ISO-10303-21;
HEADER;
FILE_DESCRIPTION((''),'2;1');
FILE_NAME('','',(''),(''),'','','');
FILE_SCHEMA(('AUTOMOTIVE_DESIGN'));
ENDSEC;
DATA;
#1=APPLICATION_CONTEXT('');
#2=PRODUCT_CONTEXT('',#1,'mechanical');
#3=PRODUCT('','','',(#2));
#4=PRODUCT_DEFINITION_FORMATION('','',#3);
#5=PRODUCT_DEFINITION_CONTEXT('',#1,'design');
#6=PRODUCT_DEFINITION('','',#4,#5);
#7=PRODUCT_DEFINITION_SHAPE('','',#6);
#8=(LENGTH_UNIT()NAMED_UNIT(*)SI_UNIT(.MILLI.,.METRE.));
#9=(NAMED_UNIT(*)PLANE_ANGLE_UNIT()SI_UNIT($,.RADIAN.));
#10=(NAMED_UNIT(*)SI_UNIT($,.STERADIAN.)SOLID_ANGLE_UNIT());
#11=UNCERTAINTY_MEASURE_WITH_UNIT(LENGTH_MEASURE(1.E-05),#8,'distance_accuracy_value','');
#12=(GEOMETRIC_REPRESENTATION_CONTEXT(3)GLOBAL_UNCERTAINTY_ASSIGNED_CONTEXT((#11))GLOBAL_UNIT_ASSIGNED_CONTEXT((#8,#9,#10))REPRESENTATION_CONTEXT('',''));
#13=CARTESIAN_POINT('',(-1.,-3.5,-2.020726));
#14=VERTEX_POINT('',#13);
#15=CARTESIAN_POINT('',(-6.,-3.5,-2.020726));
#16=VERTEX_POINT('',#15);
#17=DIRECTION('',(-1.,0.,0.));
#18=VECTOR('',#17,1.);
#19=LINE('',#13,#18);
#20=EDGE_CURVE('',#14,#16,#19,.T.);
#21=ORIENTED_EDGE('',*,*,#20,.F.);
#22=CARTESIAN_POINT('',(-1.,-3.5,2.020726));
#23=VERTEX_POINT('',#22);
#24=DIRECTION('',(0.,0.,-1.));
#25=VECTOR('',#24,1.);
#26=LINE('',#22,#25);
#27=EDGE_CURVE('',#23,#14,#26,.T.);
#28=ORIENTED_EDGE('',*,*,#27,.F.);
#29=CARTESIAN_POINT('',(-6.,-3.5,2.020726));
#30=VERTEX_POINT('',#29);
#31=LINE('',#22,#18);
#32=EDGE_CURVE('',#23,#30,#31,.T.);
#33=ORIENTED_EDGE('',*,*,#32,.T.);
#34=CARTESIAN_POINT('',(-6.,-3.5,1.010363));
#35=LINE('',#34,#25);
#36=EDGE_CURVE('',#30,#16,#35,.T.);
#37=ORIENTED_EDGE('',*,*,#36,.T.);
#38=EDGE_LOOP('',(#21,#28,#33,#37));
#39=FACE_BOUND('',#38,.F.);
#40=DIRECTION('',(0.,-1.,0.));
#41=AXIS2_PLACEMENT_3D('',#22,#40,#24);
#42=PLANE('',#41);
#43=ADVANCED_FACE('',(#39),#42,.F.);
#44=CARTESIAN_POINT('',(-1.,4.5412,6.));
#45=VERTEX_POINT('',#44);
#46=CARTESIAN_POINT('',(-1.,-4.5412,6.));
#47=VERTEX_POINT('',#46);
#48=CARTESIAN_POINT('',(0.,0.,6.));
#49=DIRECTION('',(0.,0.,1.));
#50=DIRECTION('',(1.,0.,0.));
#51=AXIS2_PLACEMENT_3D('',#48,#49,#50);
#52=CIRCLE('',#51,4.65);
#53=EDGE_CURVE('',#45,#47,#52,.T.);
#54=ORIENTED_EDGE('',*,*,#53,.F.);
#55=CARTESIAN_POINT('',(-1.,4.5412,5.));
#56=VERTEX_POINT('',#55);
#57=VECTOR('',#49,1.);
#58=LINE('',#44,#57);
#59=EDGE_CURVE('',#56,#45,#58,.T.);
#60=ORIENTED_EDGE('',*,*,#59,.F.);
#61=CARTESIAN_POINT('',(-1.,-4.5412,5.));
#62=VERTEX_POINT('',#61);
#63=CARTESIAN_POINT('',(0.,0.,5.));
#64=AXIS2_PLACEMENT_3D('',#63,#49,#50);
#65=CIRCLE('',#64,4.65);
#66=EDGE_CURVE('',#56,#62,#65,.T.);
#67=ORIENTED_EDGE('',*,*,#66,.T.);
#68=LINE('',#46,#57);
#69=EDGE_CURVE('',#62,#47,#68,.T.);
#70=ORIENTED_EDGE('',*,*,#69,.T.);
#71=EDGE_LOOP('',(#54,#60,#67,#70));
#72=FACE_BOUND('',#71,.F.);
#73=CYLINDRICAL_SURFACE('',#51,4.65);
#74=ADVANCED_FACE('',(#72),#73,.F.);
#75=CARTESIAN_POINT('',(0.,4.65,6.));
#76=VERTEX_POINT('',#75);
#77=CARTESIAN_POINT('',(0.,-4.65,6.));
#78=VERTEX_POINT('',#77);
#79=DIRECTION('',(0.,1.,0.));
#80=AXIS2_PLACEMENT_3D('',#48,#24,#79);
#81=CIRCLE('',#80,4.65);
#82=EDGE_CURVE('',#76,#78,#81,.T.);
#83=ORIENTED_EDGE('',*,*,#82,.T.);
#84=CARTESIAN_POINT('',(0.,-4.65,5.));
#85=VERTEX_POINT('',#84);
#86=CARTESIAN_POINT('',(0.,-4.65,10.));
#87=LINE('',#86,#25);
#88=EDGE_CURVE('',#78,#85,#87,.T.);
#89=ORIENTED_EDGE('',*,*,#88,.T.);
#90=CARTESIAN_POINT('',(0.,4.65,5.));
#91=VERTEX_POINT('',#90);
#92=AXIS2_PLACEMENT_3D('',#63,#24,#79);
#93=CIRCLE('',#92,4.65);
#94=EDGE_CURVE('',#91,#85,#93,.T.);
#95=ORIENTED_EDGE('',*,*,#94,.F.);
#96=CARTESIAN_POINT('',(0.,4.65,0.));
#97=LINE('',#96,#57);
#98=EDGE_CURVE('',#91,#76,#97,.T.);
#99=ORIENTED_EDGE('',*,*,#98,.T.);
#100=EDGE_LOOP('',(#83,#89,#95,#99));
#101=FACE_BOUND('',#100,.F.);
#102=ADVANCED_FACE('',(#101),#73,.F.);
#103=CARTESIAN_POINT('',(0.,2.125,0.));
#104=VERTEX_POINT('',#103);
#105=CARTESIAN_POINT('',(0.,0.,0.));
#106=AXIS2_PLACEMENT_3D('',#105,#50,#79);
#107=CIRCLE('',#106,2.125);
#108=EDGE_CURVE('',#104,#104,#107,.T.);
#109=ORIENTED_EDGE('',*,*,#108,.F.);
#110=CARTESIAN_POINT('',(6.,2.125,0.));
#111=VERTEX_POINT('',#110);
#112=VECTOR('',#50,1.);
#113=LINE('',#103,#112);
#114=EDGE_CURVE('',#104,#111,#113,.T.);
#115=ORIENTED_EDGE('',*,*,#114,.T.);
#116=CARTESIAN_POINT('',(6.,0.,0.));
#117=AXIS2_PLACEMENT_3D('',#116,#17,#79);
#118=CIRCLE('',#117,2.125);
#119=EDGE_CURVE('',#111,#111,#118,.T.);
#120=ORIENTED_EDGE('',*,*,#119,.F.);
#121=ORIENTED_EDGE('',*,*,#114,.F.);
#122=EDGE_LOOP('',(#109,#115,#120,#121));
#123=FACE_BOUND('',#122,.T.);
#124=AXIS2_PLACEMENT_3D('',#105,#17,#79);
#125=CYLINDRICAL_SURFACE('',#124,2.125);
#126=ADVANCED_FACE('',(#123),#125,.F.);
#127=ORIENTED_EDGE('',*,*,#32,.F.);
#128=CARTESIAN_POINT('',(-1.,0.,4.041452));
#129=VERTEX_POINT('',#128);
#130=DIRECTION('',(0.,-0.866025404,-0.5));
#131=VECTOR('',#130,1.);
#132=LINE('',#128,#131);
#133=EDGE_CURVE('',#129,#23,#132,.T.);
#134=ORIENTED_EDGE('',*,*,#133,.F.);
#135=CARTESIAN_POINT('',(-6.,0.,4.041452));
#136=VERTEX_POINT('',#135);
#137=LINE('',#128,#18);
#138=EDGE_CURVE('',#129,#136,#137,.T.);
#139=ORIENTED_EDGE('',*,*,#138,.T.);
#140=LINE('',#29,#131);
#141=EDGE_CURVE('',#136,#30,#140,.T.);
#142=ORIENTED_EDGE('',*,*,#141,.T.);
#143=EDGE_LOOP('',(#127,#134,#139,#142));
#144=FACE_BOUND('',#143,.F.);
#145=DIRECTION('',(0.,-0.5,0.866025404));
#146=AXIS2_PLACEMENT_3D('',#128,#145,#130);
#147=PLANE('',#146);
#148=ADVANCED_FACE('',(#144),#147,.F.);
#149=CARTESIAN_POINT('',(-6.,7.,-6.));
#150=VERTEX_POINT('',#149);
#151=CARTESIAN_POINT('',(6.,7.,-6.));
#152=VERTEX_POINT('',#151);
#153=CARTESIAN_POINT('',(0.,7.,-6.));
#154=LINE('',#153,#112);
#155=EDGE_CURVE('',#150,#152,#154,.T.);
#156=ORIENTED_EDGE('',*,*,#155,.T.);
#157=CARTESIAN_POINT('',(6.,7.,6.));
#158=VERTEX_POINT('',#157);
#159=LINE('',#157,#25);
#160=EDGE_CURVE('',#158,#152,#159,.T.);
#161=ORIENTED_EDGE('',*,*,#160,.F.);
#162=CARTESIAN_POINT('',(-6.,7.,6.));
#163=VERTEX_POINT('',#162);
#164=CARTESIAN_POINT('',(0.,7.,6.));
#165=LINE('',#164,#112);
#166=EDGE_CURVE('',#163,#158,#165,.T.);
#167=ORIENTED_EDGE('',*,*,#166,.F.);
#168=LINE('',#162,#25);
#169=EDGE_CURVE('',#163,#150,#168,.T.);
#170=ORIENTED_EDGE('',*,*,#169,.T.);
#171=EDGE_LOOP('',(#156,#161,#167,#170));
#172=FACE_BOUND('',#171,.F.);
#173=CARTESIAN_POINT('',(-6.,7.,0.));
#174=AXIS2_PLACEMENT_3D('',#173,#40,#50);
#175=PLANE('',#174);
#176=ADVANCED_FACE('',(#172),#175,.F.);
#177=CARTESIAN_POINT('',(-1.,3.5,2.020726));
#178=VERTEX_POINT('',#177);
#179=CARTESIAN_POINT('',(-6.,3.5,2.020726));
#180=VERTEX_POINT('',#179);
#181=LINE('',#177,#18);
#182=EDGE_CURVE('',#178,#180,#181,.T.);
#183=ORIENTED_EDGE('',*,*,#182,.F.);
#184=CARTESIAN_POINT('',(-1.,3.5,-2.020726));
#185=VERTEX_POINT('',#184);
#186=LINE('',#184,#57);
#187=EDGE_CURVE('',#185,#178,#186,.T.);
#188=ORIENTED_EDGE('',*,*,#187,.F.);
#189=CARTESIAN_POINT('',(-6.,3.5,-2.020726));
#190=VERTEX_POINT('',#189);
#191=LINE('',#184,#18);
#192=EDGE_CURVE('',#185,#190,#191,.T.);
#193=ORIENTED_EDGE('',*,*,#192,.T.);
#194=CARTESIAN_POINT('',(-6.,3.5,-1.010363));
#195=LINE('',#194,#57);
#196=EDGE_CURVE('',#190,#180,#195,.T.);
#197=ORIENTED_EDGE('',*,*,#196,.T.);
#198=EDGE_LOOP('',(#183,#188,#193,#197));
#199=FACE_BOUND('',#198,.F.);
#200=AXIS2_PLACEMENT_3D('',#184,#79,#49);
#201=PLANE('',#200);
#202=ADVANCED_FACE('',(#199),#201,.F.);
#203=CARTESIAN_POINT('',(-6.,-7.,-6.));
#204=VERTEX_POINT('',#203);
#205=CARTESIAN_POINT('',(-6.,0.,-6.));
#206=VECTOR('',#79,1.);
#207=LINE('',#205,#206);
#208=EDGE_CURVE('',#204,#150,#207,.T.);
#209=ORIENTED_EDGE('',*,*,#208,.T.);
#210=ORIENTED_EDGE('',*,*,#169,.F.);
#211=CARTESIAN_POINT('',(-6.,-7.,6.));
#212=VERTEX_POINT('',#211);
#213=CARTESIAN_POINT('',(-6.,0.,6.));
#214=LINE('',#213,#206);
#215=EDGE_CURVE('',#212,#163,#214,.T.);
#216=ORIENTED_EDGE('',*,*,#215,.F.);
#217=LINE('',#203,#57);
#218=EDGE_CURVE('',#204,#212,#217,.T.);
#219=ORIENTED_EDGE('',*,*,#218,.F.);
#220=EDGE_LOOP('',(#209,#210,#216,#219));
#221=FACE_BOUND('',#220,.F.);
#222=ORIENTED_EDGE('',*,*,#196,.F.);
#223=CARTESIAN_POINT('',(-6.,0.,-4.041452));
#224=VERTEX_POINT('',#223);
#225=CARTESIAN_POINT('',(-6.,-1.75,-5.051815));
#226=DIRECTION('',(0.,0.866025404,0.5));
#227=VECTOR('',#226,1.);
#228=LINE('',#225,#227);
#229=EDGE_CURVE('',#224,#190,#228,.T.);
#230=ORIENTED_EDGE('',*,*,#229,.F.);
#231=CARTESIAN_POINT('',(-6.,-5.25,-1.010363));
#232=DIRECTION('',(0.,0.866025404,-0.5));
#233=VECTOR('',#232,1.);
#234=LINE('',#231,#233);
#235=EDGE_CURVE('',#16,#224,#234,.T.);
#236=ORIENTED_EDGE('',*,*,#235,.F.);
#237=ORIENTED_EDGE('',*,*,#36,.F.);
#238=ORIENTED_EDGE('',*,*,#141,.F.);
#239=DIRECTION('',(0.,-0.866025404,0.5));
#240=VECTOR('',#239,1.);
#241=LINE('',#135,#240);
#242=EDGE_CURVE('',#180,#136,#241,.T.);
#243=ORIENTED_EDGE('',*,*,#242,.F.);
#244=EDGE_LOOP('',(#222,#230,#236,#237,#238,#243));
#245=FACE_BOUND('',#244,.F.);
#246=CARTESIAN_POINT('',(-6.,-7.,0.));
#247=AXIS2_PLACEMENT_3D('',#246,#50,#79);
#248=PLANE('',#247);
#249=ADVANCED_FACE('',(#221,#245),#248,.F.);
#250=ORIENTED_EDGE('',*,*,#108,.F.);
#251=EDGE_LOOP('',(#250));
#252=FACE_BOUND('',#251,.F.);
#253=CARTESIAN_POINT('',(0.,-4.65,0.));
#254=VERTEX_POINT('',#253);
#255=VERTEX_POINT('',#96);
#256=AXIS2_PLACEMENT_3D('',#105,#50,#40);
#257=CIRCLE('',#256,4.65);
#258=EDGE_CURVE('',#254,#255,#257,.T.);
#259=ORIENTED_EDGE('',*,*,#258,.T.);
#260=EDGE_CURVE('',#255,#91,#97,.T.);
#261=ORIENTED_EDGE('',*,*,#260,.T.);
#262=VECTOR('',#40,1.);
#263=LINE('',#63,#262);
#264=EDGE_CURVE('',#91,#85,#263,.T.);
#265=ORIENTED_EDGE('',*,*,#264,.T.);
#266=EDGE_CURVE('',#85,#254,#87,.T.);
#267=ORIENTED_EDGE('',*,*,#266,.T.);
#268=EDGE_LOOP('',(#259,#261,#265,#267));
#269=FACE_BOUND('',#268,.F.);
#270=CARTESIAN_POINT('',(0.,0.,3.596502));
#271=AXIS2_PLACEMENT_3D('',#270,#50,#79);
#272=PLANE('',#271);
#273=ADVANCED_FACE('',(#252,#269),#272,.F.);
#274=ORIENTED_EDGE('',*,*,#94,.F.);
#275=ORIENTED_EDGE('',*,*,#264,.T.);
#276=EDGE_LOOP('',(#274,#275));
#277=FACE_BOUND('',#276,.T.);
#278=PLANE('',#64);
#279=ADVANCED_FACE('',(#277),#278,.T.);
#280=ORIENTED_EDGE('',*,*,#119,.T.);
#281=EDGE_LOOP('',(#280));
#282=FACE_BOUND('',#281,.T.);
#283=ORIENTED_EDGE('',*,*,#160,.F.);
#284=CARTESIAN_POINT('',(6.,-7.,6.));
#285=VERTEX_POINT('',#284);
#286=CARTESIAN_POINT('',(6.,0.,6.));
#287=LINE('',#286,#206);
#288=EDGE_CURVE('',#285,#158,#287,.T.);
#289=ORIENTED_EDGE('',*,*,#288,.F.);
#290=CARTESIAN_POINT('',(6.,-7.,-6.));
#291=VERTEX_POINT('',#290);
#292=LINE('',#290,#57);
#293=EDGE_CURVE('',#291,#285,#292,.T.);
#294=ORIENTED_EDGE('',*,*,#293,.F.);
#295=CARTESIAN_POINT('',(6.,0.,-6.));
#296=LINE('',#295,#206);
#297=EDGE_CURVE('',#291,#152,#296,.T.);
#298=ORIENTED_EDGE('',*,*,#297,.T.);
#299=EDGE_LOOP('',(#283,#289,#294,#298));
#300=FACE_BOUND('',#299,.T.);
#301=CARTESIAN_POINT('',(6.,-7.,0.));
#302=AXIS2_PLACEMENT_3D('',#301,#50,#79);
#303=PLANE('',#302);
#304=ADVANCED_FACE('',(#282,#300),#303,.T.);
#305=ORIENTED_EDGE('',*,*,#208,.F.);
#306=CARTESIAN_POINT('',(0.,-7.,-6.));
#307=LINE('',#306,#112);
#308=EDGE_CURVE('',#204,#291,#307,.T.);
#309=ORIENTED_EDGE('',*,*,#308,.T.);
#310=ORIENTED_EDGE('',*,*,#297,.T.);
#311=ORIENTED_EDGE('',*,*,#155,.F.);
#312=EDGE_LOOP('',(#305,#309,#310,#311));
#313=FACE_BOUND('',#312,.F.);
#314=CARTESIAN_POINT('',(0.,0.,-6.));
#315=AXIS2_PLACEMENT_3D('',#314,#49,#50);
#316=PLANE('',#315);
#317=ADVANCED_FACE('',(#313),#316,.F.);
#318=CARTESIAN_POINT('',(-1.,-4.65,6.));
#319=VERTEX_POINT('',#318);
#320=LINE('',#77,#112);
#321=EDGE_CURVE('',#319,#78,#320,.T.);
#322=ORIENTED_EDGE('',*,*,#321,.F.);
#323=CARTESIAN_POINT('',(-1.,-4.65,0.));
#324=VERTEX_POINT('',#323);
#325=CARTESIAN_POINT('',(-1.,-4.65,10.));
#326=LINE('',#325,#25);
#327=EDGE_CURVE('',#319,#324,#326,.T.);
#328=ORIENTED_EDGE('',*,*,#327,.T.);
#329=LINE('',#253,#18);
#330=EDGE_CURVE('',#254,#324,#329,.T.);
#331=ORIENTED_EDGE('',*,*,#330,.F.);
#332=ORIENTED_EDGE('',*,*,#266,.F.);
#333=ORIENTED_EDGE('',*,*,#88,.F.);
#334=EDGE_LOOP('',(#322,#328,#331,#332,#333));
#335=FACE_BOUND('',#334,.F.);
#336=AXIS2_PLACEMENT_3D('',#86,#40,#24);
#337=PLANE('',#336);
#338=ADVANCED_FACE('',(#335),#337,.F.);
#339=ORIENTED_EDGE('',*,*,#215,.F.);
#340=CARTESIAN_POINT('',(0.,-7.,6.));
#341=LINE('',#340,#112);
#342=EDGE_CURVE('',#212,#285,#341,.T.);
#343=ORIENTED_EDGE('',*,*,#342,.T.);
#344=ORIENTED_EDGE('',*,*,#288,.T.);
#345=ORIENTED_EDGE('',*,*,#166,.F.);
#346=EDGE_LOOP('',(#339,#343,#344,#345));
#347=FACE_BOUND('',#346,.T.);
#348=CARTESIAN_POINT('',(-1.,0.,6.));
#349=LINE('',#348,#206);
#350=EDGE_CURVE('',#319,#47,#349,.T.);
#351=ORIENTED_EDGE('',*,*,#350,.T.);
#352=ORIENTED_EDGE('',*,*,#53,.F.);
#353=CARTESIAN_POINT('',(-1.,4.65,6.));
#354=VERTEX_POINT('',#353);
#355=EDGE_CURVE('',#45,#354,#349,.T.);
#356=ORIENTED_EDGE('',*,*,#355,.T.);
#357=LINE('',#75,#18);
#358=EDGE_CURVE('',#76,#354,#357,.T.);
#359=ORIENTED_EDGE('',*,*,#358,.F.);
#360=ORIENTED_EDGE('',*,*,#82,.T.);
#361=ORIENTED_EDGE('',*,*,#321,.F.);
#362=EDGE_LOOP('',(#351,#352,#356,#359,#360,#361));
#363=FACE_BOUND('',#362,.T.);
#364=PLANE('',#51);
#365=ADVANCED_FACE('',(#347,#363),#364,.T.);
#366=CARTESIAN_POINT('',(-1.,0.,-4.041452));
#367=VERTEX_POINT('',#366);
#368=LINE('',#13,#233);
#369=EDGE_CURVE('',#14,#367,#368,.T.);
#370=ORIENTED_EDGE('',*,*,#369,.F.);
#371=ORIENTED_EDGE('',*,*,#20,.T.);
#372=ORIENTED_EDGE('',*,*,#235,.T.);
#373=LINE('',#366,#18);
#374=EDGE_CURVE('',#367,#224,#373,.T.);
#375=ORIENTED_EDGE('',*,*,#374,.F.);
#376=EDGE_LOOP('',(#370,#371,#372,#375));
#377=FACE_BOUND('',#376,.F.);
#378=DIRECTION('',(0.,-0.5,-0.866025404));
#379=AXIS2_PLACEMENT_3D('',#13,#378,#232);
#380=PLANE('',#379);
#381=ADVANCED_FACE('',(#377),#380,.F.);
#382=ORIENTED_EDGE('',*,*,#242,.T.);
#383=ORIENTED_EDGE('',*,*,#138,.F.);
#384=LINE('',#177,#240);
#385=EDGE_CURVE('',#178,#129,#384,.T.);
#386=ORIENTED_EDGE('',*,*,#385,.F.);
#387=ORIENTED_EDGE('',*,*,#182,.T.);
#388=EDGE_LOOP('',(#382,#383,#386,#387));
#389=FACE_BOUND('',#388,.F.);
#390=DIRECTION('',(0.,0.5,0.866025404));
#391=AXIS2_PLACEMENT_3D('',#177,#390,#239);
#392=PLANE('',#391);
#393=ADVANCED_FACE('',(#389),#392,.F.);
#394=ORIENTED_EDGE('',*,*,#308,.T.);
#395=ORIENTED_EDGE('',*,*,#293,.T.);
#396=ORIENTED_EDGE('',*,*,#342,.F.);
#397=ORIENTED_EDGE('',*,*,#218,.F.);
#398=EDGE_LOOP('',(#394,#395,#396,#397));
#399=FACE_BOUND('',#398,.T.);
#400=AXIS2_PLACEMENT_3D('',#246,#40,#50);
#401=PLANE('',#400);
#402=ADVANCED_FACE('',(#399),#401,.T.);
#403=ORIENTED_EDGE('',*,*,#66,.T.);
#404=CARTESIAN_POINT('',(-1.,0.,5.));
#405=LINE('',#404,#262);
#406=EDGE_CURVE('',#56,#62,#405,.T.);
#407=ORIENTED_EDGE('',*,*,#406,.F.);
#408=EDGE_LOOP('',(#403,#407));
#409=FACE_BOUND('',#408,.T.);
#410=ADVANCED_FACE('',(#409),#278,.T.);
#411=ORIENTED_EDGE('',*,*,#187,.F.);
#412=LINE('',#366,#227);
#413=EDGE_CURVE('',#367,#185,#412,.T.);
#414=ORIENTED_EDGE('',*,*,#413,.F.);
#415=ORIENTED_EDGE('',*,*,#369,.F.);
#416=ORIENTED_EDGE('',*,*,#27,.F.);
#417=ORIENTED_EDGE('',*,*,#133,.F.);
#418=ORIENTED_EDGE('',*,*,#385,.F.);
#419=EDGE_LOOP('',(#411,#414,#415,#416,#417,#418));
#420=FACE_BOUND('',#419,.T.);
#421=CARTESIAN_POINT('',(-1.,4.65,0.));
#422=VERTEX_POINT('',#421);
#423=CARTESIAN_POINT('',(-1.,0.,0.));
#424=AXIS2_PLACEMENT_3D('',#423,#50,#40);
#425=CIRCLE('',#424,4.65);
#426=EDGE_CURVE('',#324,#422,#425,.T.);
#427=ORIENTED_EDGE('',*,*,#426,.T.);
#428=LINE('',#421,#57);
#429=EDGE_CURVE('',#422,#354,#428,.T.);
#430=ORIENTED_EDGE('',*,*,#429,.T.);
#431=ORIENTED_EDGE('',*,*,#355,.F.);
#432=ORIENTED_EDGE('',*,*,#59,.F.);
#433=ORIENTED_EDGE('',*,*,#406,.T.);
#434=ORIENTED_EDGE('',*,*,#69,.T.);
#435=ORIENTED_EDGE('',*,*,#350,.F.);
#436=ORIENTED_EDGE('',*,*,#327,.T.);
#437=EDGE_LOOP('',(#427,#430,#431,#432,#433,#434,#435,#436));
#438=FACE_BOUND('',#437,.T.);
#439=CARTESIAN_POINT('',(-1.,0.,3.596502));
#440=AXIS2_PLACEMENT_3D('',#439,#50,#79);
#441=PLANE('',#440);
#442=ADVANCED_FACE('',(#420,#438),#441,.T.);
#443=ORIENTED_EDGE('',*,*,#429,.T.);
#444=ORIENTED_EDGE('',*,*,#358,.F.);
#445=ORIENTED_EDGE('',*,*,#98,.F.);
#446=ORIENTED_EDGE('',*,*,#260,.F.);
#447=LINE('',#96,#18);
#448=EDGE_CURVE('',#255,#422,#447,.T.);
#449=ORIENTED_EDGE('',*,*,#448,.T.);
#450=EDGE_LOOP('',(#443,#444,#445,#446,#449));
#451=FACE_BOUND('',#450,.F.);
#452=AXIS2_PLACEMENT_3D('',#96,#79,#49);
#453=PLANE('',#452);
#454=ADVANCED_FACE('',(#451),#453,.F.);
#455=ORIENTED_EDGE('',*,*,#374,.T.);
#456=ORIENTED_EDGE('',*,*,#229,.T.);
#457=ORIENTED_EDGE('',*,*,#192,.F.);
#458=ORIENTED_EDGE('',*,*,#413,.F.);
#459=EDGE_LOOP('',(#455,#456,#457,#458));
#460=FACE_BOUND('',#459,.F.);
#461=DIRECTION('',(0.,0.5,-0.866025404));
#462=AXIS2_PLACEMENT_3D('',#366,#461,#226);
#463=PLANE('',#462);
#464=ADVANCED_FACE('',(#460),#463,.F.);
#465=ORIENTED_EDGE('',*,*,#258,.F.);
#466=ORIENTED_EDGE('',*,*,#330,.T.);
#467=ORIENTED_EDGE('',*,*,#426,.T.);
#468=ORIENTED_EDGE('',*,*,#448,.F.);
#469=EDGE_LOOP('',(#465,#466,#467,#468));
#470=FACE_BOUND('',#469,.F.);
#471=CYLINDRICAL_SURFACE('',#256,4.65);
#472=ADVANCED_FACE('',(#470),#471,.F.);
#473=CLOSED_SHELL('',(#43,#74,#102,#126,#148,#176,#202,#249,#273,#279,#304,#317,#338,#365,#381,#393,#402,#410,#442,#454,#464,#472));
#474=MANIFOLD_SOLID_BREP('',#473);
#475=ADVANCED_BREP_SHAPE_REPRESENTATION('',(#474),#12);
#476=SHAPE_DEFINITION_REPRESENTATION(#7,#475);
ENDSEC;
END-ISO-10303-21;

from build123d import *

# Parameters (mm, degrees)
SKETCH052_W          = 12
SKETCH052_H          = 14
PAD011_DEPTH         = 6
POCKET024_DEPTH      = 1
POCKET025_DEPTH      = 5.001
SKETCH055_R          = 2.125
POCKET026_DEPTH      = 6.001
POCKET026_DEPTH_BACK = 6.001
SKETCH056_R          = 4.65
POCKET027_DEPTH      = 1


with BuildPart() as part:
    # Sketch052 → Pad011 (new body, symmetric)
    with BuildSketch(Plane.XY):
        Rectangle(SKETCH052_W, SKETCH052_H)
    extrude(amount=PAD011_DEPTH, both=True)

    # Sketch053 → Pocket024 (cut)
    with BuildSketch(Plane.YZ):
        with BuildLine():
            ThreePointArc((-4.65, 0), (0, -4.65), (4.65, 0))
            Line((4.65, 0), (4.65, 10))
            Line((4.65, 10), (-4.65, 10))
            Line((-4.65, 10), (-4.65, 0))
        make_face()
    extrude(amount=-POCKET024_DEPTH, mode=Mode.SUBTRACT)

    # Sketch054 → Pocket025 (cut, through all)
    with BuildSketch(Plane.YZ.offset(-1)):
        Polygon((0, 4.0414518843), (-3.5, 2.0207259422), (-3.5, -2.0207259422), (0, -4.0414518843), (3.5, -2.0207259422), (3.5, 2.0207259422), align=None)
    extrude(amount=-POCKET025_DEPTH, mode=Mode.SUBTRACT)

    # Sketch055 → Pocket026 (cut, two sides)
    with BuildSketch(Plane.YZ) as pocket026_sk:
        Circle(SKETCH055_R)
    extrude(amount=-POCKET026_DEPTH, mode=Mode.SUBTRACT)
    extrude(pocket026_sk.sketch, amount=POCKET026_DEPTH_BACK, mode=Mode.SUBTRACT)

    # Sketch056 → Pocket027 (cut)
    with BuildSketch(Plane.XY.offset(6)):
        Circle(SKETCH056_R)
    extrude(amount=-POCKET027_DEPTH, mode=Mode.SUBTRACT)


solid = part.part
